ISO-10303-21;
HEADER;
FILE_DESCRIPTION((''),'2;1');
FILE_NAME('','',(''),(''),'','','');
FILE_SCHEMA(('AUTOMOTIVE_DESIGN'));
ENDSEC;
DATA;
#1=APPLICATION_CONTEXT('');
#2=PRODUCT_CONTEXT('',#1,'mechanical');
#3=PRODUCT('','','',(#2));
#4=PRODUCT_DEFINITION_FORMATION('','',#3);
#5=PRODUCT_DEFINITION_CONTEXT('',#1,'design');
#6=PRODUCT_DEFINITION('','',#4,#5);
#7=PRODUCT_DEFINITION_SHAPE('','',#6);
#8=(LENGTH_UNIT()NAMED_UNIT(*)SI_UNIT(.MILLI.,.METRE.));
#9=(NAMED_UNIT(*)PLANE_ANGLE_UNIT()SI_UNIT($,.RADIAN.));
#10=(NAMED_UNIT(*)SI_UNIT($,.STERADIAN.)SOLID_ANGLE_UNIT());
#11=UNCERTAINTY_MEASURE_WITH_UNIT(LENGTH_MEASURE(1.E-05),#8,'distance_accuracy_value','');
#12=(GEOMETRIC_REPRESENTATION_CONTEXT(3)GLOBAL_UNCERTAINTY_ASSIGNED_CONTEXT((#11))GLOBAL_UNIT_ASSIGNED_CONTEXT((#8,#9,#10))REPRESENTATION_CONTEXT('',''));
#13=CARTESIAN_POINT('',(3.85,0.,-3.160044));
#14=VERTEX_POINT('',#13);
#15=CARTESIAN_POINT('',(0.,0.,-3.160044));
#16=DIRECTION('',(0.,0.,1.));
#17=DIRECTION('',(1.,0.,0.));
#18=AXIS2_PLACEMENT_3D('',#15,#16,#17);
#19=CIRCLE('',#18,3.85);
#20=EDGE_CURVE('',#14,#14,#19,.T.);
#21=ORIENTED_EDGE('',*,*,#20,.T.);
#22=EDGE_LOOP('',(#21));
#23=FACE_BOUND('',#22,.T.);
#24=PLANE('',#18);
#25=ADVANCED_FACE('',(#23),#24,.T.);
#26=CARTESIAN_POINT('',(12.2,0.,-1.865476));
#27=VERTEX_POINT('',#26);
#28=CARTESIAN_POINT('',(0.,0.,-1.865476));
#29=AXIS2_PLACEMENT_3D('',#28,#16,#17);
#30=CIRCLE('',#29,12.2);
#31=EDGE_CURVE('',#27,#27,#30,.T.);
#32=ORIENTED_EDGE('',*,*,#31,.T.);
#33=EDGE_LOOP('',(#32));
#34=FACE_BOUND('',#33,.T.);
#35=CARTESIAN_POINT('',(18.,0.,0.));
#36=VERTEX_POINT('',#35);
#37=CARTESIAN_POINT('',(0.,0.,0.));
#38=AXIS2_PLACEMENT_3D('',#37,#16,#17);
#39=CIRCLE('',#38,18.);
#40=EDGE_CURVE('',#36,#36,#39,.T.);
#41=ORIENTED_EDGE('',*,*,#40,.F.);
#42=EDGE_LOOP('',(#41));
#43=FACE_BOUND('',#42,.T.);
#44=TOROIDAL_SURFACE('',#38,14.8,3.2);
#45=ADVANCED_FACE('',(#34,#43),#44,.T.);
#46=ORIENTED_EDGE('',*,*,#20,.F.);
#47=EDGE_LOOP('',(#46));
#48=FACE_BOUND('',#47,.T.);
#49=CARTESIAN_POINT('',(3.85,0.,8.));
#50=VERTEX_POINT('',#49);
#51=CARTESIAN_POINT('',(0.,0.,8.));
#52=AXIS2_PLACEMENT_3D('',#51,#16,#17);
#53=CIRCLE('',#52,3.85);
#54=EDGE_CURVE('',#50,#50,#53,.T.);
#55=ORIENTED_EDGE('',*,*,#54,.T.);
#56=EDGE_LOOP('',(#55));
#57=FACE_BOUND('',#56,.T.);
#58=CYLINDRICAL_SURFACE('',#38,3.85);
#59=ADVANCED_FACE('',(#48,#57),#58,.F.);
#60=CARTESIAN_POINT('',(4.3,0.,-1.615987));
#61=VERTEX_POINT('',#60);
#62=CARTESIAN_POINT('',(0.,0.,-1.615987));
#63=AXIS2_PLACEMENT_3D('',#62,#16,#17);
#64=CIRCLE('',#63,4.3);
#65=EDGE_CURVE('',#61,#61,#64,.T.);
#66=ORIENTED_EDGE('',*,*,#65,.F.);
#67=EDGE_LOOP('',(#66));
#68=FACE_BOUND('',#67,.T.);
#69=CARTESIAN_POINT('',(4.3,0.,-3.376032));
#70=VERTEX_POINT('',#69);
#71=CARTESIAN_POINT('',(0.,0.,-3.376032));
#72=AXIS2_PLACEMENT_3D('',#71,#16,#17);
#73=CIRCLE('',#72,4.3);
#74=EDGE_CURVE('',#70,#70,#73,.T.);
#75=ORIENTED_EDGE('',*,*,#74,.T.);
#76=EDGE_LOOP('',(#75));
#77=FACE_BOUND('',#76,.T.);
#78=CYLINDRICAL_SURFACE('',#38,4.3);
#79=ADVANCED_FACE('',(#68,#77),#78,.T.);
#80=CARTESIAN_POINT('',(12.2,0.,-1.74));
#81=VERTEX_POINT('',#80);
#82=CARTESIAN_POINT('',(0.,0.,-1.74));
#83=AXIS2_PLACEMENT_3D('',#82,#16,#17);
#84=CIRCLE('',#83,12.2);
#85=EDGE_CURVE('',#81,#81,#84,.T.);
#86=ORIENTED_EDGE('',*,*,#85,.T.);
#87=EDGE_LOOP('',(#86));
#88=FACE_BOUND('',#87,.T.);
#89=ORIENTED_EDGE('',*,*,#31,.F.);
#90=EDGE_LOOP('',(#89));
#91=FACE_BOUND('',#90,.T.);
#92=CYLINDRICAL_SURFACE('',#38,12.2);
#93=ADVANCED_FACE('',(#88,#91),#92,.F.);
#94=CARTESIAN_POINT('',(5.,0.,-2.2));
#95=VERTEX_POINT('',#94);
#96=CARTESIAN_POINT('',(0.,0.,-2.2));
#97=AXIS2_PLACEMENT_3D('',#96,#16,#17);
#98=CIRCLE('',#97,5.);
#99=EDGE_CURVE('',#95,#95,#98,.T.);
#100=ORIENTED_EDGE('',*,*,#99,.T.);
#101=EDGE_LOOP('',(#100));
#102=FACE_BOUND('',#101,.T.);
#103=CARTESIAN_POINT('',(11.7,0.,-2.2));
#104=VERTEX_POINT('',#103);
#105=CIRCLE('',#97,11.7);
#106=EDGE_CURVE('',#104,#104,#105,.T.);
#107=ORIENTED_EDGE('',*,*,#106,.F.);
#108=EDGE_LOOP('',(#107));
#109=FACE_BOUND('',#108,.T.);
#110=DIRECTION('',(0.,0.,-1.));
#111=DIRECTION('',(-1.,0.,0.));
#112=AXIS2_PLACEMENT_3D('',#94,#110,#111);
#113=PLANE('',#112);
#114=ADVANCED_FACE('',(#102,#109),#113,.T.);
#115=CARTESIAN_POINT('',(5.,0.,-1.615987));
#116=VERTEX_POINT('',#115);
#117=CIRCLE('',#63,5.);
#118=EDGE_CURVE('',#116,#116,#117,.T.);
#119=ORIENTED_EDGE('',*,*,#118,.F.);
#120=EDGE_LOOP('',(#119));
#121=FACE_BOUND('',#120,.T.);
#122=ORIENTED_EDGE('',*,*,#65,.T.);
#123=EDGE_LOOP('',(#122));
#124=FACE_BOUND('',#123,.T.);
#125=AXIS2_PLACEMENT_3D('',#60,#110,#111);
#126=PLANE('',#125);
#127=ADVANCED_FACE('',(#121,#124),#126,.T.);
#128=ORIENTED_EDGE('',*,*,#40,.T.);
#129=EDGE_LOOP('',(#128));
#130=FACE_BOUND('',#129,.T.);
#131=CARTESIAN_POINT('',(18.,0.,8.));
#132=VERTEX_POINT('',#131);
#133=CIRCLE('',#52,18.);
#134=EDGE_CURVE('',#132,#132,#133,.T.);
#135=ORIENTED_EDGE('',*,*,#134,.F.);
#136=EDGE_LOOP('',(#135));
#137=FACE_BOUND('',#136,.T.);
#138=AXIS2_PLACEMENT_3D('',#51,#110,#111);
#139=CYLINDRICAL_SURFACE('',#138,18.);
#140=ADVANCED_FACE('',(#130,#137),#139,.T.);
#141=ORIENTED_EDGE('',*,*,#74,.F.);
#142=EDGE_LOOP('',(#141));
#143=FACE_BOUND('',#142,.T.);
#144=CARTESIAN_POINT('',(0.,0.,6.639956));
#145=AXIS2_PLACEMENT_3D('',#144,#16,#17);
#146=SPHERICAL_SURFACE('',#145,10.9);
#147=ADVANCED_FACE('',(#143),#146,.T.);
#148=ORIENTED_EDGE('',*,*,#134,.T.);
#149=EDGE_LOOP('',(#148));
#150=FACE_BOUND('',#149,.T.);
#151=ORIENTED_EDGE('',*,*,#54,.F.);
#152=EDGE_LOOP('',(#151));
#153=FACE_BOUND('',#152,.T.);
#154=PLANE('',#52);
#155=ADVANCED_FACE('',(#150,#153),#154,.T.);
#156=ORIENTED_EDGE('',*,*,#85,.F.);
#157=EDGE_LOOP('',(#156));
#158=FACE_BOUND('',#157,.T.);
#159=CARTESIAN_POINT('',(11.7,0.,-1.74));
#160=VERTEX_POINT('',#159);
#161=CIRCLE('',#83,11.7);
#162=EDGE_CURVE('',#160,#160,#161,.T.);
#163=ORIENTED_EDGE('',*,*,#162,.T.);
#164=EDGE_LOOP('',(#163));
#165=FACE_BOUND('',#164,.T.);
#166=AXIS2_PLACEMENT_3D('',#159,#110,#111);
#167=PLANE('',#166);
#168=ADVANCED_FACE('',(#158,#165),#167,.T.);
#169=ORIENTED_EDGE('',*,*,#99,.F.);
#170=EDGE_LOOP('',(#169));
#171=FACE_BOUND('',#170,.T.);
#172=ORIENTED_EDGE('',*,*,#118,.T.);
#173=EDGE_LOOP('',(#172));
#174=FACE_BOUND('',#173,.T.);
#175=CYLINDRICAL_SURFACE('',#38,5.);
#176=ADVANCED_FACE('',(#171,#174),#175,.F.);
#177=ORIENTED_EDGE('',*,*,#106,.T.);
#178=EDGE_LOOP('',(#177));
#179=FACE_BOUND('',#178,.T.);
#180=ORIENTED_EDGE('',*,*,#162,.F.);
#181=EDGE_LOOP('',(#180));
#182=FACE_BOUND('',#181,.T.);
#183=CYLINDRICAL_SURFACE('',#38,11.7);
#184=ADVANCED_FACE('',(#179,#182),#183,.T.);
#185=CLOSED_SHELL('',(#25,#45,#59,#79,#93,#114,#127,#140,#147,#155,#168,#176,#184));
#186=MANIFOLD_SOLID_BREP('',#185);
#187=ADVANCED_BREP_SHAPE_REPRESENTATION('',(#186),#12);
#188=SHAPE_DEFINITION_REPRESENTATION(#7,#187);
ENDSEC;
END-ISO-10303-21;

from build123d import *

# Parameters (mm, degrees)
SKETCH4_R           = 18
SKETCH4_R_2         = 3.85
BOSS_EXTRUDE1_DEPTH = 8


with BuildPart() as part:
    # Sketch3 → Revolve2 (revolve)
    with BuildSketch(Plane(origin=(0, 0, 0), x_dir=(1, 0, 0), z_dir=(0, 1, 0))):
        with BuildLine():
            Line((0, 3.160044373), (3.85, 3.160044373))
            Line((3.85, 3.160044373), (3.85, 0))
            Line((3.85, 0), (18, 0))
            ThreePointArc((18, 0), (15.779795897, 3.046309242), (12.2, 1.865475811))
            Line((12.2, 1.865475811), (12.2, 1.74))
            Line((12.2, 1.74), (11.7, 1.74))
            Line((11.7, 1.74), (11.7, 2.2))
            Line((11.7, 2.2), (5, 2.2))
            Line((5, 2.2), (5, 1.61598722))
            Line((5, 1.61598722), (4.3, 1.61598722))
            Line((4.3, 1.61598722), (4.3, 3.376031593))
            ThreePointArc((4.3, 3.376031593), (2.194964612, 4.036754088), (0, 4.260044373))
            Line((0, 4.260044373), (0, 3.160044373))
        make_face()
    revolve(axis=Axis((0, 0, 0), (0, 0, -1)))

    # Sketch4 → Boss-Extrude1 (add)
    with BuildSketch(Plane.XY):
        Circle(SKETCH4_R)
        Circle(SKETCH4_R_2, mode=Mode.SUBTRACT)
    extrude(amount=BOSS_EXTRUDE1_DEPTH)


solid = part.part
